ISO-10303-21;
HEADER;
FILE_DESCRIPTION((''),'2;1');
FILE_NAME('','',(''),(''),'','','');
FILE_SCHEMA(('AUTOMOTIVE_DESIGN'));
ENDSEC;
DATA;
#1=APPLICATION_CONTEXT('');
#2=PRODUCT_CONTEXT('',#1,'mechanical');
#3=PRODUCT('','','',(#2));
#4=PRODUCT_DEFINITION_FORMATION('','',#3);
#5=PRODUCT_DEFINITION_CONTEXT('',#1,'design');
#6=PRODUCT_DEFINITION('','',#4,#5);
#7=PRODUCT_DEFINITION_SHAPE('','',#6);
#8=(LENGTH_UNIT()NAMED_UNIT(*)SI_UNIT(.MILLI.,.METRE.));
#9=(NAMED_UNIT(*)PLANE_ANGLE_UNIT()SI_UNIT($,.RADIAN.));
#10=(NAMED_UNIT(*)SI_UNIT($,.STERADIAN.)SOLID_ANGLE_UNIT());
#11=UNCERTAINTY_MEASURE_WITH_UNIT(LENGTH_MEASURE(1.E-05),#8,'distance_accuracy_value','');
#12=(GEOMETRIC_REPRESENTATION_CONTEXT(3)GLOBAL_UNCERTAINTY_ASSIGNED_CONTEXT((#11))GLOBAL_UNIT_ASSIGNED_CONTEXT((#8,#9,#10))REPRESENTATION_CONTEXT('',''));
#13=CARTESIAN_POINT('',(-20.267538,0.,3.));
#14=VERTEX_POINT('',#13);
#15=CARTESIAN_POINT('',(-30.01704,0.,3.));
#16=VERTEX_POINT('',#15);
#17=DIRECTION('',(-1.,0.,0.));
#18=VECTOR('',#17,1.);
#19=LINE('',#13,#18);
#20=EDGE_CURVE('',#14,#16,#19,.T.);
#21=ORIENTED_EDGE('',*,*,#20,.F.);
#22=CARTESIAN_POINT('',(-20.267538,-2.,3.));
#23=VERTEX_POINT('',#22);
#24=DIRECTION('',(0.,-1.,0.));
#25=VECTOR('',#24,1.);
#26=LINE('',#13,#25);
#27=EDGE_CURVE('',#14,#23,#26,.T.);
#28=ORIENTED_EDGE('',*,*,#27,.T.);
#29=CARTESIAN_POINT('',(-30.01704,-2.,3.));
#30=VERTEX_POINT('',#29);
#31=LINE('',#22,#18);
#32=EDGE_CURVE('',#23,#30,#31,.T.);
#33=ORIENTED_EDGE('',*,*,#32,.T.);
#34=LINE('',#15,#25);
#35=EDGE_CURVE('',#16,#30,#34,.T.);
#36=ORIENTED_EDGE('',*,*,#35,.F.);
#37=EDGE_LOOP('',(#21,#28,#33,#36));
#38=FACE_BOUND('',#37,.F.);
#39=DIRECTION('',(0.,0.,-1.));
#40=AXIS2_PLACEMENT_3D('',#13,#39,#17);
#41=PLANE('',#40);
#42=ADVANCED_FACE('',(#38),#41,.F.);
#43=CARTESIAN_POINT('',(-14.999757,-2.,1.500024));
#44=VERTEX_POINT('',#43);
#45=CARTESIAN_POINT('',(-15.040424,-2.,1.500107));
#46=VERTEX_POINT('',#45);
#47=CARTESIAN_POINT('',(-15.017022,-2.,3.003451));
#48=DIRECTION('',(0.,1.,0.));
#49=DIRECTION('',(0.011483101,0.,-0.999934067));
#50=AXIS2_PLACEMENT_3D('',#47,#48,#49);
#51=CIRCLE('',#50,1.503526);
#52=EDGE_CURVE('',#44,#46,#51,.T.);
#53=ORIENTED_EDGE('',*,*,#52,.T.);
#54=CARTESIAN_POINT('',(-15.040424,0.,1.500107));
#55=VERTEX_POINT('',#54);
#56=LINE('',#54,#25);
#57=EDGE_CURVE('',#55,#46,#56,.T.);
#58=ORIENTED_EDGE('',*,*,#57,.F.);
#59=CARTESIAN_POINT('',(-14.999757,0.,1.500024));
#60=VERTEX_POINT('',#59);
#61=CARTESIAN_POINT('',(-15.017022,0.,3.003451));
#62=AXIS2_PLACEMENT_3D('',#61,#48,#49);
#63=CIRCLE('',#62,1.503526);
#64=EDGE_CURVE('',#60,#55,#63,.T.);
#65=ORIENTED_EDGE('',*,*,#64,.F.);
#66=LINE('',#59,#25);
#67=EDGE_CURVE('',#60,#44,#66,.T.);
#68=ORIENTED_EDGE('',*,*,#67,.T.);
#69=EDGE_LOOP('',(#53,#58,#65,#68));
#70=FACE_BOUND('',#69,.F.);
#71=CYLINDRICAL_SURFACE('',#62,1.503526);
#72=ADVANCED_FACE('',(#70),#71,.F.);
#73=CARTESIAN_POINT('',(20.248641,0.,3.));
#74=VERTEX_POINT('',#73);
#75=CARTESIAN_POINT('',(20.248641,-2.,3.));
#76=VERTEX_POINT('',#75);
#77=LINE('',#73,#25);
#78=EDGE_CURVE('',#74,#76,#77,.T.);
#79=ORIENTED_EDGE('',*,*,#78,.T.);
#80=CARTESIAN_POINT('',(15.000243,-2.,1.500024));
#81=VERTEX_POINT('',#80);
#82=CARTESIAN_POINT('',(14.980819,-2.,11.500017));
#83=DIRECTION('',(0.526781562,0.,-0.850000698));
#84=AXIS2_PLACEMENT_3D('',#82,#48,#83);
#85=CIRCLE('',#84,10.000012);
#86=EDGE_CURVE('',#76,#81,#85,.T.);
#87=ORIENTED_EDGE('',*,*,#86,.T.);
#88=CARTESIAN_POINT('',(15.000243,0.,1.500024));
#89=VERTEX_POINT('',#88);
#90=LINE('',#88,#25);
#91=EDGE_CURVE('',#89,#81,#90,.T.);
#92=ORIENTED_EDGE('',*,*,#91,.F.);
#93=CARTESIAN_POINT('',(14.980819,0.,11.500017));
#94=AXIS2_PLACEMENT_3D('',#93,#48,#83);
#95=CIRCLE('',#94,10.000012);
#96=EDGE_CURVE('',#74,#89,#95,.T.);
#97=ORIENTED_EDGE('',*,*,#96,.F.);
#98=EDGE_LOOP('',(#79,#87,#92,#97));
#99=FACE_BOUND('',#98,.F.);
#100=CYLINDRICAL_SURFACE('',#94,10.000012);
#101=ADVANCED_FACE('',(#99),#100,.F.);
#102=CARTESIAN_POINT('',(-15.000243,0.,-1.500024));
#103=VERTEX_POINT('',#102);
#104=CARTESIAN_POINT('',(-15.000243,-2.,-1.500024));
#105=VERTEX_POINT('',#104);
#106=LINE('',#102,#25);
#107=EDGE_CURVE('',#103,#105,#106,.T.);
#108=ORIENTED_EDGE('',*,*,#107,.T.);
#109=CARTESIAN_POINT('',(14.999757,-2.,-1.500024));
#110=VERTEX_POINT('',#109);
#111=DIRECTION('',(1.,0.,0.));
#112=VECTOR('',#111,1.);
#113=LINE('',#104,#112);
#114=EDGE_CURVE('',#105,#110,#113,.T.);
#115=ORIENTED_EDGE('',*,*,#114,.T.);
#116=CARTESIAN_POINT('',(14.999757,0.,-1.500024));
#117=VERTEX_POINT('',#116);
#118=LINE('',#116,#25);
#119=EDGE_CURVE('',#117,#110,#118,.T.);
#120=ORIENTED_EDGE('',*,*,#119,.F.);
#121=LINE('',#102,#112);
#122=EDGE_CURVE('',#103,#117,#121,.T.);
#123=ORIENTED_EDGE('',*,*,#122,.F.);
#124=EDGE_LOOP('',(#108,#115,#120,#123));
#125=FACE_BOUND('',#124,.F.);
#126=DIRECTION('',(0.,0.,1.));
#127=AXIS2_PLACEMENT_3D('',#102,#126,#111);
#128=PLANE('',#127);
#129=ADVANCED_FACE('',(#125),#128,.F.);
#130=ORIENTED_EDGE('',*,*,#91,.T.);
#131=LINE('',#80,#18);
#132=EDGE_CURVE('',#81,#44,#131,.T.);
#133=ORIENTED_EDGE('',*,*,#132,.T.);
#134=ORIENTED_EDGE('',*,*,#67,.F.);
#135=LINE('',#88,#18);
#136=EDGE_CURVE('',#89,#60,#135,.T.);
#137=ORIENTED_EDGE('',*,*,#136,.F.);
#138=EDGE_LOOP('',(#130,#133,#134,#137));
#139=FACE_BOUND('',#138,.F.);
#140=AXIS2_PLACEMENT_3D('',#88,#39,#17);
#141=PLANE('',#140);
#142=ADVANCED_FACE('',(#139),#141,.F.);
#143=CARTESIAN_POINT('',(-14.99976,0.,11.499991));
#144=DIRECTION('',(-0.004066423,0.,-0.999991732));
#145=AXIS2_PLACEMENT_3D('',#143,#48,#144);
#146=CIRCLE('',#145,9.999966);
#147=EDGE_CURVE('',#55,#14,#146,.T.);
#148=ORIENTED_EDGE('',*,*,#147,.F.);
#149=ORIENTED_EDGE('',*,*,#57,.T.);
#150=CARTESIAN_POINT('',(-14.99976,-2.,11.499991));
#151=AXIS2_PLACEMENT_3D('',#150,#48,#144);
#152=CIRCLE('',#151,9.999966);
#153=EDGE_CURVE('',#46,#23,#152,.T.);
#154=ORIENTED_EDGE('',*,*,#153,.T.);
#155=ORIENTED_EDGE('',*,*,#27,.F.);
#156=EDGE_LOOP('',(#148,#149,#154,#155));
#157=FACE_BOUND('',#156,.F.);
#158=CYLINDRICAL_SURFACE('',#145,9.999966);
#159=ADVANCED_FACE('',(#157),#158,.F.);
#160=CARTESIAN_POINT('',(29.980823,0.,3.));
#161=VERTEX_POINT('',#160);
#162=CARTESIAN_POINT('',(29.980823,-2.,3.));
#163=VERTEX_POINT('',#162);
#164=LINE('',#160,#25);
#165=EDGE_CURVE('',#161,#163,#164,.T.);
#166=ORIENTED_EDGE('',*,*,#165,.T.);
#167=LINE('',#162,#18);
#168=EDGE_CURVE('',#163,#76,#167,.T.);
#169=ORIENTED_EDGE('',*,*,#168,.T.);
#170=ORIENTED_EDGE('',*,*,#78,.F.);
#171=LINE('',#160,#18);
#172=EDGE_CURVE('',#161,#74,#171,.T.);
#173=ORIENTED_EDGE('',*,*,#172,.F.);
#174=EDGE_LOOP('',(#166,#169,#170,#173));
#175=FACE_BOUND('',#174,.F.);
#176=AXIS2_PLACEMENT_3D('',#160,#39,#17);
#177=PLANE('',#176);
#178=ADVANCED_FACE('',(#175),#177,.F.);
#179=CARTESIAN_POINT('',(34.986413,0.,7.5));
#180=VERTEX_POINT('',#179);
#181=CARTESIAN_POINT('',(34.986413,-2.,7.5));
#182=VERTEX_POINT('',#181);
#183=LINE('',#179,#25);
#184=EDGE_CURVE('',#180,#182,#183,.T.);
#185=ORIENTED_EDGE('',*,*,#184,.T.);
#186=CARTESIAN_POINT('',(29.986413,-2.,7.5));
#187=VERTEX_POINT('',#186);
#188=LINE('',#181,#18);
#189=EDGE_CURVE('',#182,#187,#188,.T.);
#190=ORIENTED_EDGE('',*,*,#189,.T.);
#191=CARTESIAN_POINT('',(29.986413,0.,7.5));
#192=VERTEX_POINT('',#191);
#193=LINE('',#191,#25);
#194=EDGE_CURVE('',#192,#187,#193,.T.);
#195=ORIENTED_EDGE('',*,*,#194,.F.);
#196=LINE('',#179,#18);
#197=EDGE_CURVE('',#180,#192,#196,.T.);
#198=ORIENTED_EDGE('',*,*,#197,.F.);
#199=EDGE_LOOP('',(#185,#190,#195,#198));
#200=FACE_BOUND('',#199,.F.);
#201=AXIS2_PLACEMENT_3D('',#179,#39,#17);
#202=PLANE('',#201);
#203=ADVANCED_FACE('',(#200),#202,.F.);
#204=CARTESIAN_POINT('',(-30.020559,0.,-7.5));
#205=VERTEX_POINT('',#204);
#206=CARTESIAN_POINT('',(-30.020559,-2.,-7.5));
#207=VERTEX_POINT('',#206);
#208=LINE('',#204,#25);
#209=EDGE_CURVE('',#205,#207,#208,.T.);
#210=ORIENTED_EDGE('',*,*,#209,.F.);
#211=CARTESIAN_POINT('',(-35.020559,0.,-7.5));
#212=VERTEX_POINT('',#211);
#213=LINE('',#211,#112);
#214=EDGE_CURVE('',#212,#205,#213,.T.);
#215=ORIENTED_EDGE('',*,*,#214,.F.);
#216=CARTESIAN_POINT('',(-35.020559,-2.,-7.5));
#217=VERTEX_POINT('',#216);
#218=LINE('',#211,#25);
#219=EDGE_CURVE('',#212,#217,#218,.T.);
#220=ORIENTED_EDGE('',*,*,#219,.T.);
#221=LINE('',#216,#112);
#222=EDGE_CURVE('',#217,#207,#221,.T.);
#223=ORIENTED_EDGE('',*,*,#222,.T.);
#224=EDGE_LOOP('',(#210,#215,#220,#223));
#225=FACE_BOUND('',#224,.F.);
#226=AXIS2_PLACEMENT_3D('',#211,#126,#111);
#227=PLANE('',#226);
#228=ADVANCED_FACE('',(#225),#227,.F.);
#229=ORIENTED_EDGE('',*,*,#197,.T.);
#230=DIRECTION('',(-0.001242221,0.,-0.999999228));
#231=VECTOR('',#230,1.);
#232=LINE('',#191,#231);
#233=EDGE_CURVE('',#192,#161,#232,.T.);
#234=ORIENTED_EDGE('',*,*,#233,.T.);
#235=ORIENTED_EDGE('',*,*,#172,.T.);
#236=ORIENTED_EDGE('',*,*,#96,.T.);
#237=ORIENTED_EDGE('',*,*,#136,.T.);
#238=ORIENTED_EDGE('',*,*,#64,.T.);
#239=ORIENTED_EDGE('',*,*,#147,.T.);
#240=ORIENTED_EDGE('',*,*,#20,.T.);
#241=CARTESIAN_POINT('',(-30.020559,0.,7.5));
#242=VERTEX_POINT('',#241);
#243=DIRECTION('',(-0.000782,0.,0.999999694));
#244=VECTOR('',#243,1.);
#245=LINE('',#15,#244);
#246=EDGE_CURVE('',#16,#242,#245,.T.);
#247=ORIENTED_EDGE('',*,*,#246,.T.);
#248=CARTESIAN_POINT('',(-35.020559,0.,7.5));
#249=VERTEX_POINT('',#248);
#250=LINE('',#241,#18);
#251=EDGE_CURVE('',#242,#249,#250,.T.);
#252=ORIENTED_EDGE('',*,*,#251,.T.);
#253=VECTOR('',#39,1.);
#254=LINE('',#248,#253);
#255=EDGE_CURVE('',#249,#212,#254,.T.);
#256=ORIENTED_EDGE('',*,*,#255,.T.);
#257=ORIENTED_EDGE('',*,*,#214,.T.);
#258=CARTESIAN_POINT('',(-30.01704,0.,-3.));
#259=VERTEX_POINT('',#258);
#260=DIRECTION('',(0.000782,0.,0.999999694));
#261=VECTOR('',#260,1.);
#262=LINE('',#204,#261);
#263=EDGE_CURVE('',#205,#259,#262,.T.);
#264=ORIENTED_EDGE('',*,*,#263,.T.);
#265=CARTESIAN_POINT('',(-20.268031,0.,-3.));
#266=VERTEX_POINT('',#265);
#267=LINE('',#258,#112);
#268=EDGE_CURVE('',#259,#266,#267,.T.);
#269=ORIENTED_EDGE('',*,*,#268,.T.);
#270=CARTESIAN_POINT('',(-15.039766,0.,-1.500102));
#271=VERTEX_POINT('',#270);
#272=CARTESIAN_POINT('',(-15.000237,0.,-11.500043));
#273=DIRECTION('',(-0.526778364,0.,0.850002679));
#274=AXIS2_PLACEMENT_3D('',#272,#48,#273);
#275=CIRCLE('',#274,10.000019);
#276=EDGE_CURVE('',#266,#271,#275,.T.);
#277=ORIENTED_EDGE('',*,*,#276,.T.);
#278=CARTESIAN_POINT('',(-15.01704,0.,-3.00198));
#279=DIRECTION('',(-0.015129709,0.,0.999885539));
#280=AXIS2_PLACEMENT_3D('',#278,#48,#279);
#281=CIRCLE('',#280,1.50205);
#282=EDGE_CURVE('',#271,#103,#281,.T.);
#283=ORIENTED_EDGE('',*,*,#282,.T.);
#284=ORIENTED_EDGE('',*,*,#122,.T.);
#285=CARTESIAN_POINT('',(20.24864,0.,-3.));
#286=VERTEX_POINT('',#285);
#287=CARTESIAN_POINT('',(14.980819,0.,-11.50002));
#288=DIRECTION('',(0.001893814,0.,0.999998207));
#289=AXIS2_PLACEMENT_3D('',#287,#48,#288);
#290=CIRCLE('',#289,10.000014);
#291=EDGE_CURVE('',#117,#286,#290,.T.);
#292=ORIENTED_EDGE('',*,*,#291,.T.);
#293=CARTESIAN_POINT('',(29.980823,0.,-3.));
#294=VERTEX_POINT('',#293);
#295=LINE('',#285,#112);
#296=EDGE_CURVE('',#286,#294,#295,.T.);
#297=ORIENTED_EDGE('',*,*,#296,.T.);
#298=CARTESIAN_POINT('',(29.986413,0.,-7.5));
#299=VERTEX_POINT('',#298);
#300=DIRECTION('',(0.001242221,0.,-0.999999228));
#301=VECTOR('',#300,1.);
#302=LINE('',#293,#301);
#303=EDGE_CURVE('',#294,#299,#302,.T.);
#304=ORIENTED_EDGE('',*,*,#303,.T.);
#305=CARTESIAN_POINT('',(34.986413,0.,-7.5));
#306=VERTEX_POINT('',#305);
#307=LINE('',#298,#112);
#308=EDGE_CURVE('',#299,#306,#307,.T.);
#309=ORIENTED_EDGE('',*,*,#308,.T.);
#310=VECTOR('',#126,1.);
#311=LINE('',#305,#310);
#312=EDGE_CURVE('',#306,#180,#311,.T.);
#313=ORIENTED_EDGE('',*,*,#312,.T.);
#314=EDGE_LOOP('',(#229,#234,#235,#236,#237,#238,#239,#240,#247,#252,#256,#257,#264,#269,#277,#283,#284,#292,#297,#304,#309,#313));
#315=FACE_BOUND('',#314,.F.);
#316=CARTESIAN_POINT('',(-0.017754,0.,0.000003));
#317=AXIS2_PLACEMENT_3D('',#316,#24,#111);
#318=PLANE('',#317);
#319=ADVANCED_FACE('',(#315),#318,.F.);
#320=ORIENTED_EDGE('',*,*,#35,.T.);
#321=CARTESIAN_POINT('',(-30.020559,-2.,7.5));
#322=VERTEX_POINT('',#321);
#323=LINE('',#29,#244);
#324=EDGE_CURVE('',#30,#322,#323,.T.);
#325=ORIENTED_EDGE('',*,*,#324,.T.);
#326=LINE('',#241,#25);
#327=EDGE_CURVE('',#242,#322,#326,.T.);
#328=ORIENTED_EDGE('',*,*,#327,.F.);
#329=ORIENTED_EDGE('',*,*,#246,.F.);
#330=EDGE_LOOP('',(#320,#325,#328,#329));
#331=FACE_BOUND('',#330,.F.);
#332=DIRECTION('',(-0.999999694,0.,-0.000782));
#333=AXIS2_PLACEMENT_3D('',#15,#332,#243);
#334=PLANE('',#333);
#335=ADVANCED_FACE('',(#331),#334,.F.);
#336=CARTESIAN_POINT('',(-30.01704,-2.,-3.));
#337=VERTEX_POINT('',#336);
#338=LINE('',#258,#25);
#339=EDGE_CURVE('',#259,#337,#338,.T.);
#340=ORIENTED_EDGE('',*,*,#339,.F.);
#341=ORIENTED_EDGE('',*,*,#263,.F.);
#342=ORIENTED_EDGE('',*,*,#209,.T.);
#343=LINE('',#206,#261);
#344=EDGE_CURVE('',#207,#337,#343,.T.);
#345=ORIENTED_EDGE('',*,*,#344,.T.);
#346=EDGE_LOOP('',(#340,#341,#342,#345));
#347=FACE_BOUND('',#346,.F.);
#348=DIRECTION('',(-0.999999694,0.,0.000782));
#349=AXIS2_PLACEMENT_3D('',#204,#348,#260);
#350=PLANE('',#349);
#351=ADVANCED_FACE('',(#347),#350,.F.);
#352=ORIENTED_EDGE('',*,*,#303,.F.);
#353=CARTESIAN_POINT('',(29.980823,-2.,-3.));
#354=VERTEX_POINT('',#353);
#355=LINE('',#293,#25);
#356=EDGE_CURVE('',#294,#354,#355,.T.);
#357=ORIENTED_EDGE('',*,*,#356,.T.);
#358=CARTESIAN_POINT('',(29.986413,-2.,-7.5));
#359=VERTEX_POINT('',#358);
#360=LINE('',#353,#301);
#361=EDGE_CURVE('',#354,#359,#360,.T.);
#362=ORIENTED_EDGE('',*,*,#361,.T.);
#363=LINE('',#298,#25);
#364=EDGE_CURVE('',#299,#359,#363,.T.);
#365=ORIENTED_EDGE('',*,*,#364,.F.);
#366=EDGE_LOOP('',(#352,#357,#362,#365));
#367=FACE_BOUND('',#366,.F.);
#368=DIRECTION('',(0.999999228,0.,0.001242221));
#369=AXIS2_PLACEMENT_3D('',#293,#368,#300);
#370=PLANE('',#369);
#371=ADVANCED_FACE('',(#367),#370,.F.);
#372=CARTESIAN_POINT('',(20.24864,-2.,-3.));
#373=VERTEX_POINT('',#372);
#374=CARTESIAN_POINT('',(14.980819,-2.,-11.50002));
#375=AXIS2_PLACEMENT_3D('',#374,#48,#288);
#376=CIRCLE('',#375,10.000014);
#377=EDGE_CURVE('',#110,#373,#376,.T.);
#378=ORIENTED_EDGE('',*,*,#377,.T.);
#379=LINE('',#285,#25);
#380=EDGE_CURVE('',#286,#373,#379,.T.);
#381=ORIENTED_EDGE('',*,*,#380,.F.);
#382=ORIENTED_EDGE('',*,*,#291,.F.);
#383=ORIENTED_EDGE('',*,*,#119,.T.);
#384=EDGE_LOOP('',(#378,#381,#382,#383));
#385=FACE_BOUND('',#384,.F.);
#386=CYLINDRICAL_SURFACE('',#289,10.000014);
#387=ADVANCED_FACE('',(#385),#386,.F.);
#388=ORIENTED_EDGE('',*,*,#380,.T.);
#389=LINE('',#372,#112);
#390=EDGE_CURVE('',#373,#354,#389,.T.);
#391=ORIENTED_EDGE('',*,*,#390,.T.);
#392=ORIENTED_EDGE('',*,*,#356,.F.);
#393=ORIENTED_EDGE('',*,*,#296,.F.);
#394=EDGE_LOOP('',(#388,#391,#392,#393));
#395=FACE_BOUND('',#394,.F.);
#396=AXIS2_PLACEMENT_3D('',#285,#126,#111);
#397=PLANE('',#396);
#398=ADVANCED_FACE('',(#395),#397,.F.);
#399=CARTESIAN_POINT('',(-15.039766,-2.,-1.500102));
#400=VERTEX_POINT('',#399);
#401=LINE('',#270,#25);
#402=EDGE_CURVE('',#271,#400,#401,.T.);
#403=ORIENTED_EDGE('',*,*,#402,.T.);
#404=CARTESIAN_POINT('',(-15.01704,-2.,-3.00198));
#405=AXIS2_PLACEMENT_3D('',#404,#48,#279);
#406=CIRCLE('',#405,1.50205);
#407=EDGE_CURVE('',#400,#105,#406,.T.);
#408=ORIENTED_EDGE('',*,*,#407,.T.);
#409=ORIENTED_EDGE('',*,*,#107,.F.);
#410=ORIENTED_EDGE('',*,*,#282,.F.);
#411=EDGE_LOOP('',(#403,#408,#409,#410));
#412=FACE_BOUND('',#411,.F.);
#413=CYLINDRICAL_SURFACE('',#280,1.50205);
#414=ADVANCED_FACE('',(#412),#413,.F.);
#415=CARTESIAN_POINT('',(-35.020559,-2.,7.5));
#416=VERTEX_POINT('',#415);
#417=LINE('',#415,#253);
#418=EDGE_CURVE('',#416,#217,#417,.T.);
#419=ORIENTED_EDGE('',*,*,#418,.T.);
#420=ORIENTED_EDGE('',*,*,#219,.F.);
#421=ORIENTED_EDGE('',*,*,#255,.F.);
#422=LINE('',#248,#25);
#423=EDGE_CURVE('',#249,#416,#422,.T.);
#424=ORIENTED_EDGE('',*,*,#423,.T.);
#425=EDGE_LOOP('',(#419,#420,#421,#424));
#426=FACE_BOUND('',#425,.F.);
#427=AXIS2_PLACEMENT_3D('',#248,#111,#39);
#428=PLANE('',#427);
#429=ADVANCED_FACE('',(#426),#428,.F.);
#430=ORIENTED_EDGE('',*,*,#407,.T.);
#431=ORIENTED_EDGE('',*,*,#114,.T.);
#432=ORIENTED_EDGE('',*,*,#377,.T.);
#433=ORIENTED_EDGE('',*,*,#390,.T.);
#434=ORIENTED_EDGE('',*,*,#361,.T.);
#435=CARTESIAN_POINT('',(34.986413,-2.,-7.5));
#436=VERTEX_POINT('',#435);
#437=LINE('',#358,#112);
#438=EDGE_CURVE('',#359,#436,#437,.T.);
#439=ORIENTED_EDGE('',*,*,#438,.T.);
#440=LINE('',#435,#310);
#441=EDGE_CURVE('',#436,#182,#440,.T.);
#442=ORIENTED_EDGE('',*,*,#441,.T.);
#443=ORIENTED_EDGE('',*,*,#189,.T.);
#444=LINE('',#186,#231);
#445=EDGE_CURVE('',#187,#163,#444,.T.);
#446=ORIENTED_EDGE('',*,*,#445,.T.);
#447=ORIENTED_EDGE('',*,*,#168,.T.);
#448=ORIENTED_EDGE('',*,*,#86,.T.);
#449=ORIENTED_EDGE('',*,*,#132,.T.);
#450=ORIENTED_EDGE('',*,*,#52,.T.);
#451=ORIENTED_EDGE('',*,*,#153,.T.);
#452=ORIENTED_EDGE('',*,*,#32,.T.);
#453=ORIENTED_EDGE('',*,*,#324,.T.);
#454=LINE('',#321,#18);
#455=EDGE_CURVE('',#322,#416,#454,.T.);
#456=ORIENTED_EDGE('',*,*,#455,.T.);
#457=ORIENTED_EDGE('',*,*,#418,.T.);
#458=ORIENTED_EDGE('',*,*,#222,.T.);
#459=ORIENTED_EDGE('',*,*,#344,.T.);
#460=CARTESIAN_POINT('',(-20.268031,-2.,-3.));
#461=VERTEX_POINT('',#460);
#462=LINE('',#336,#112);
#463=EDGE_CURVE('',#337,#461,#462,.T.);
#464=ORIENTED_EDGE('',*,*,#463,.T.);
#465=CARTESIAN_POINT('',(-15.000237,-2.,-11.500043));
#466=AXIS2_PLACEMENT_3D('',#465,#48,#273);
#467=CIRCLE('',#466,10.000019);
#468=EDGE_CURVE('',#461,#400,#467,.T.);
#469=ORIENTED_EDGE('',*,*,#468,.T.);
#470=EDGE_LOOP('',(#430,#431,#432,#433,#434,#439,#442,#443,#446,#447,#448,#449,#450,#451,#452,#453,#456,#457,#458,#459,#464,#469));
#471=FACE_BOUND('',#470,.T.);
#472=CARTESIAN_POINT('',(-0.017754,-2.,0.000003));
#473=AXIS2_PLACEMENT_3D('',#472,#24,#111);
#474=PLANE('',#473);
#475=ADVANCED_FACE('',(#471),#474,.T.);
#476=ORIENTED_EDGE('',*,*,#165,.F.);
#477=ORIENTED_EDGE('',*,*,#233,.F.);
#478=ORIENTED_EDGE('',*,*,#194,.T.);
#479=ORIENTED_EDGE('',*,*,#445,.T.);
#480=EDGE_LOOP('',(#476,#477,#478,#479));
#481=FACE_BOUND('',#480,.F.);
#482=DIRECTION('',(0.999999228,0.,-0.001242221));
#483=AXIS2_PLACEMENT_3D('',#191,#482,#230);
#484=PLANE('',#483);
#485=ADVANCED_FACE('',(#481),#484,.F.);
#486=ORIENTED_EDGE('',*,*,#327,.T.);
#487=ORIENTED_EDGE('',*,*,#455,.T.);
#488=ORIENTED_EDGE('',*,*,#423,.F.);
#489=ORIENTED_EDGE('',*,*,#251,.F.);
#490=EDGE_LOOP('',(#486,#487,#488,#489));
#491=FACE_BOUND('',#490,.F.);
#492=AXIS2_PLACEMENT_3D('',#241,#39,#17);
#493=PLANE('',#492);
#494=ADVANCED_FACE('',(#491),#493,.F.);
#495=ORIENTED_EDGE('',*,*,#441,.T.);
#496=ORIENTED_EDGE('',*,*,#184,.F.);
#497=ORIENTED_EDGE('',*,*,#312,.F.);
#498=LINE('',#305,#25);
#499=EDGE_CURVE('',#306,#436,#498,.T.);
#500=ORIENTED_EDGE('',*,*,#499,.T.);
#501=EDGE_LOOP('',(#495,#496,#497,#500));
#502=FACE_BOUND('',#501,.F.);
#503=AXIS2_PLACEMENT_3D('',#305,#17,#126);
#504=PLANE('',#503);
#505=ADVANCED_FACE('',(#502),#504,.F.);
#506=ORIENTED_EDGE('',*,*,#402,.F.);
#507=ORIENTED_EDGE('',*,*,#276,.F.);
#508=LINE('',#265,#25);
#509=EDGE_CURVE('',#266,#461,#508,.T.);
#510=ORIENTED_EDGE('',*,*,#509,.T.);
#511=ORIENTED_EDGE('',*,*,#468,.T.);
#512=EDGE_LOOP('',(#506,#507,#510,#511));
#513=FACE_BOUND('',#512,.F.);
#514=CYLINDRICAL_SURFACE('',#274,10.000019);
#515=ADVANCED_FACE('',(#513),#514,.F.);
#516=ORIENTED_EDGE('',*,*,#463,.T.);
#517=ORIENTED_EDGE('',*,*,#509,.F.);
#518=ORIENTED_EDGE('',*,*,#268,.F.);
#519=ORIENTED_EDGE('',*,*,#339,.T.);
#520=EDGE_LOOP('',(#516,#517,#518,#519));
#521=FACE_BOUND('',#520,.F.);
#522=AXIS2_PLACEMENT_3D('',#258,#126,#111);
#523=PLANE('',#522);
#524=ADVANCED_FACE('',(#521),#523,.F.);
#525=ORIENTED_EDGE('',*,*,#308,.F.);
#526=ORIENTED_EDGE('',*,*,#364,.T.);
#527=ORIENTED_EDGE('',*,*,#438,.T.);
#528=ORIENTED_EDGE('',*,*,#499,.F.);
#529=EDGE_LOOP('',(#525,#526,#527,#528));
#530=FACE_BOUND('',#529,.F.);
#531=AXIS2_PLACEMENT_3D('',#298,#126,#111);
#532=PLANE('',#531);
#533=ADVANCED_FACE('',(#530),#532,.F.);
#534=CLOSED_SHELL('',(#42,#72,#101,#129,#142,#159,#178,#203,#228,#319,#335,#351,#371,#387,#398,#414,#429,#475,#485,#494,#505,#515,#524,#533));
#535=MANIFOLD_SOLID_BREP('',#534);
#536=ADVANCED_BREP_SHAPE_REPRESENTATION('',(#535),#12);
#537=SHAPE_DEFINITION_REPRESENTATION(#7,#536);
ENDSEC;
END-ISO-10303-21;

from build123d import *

# Parameters (mm, degrees)
F1_DEPTH = 2


with BuildPart() as f1:
    # F0 (on Front) → F1 (new body)
    with BuildSketch(Plane.XZ):
        with BuildLine():
            ThreePointArc((20.248641, 3), (17.728768, 1.884976), (15.000243, 1.500024))
            Line((15.000243, 1.500024), (14.961403, 1.500024))
            Line((14.961403, 1.500024), (-14.999757, 1.500024))
            ThreePointArc((-14.999757, 1.500024), (-15.020091, 1.499928), (-15.040424, 1.500107))
            ThreePointArc((-15.040424, 1.500107), (-17.757895, 1.887914), (-20.267538, 3))
            Line((-20.267538, 3), (-30.01704, 3))
            Line((-30.01704, 3), (-30.020559, 7.5))
            Line((-30.020559, 7.5), (-35.020559, 7.5))
            Line((-35.020559, 7.5), (-35.020559, -7.5))
            Line((-35.020559, -7.5), (-30.020559, -7.5))
            Line((-30.020559, -7.5), (-30.01704, -3))
            Line((-30.01704, -3), (-20.268031, -3))
            ThreePointArc((-20.268031, -3), (-17.757834, -1.887757), (-15.039766, -1.500102))
            ThreePointArc((-15.039766, -1.500102), (-15.020005, -1.499933), (-15.000243, -1.500024))
            Line((-15.000243, -1.500024), (14.961889, -1.500024))
            Line((14.961889, -1.500024), (14.980823, -1.500024))
            Line((14.980823, -1.500024), (14.999757, -1.500024))
            ThreePointArc((14.999757, -1.500024), (17.728534, -1.88491), (20.24864, -3))
            Line((20.24864, -3), (29.980823, -3))
            Line((29.980823, -3), (29.986413, -7.5))
            Line((29.986413, -7.5), (34.986413, -7.5))
            Line((34.986413, -7.5), (34.986413, 7.5))
            Line((34.986413, 7.5), (29.986413, 7.5))
            Line((29.986413, 7.5), (29.980823, 3))
            Line((29.980823, 3), (20.248641, 3))
        make_face()
    extrude(amount=F1_DEPTH)


solid = f1.part
